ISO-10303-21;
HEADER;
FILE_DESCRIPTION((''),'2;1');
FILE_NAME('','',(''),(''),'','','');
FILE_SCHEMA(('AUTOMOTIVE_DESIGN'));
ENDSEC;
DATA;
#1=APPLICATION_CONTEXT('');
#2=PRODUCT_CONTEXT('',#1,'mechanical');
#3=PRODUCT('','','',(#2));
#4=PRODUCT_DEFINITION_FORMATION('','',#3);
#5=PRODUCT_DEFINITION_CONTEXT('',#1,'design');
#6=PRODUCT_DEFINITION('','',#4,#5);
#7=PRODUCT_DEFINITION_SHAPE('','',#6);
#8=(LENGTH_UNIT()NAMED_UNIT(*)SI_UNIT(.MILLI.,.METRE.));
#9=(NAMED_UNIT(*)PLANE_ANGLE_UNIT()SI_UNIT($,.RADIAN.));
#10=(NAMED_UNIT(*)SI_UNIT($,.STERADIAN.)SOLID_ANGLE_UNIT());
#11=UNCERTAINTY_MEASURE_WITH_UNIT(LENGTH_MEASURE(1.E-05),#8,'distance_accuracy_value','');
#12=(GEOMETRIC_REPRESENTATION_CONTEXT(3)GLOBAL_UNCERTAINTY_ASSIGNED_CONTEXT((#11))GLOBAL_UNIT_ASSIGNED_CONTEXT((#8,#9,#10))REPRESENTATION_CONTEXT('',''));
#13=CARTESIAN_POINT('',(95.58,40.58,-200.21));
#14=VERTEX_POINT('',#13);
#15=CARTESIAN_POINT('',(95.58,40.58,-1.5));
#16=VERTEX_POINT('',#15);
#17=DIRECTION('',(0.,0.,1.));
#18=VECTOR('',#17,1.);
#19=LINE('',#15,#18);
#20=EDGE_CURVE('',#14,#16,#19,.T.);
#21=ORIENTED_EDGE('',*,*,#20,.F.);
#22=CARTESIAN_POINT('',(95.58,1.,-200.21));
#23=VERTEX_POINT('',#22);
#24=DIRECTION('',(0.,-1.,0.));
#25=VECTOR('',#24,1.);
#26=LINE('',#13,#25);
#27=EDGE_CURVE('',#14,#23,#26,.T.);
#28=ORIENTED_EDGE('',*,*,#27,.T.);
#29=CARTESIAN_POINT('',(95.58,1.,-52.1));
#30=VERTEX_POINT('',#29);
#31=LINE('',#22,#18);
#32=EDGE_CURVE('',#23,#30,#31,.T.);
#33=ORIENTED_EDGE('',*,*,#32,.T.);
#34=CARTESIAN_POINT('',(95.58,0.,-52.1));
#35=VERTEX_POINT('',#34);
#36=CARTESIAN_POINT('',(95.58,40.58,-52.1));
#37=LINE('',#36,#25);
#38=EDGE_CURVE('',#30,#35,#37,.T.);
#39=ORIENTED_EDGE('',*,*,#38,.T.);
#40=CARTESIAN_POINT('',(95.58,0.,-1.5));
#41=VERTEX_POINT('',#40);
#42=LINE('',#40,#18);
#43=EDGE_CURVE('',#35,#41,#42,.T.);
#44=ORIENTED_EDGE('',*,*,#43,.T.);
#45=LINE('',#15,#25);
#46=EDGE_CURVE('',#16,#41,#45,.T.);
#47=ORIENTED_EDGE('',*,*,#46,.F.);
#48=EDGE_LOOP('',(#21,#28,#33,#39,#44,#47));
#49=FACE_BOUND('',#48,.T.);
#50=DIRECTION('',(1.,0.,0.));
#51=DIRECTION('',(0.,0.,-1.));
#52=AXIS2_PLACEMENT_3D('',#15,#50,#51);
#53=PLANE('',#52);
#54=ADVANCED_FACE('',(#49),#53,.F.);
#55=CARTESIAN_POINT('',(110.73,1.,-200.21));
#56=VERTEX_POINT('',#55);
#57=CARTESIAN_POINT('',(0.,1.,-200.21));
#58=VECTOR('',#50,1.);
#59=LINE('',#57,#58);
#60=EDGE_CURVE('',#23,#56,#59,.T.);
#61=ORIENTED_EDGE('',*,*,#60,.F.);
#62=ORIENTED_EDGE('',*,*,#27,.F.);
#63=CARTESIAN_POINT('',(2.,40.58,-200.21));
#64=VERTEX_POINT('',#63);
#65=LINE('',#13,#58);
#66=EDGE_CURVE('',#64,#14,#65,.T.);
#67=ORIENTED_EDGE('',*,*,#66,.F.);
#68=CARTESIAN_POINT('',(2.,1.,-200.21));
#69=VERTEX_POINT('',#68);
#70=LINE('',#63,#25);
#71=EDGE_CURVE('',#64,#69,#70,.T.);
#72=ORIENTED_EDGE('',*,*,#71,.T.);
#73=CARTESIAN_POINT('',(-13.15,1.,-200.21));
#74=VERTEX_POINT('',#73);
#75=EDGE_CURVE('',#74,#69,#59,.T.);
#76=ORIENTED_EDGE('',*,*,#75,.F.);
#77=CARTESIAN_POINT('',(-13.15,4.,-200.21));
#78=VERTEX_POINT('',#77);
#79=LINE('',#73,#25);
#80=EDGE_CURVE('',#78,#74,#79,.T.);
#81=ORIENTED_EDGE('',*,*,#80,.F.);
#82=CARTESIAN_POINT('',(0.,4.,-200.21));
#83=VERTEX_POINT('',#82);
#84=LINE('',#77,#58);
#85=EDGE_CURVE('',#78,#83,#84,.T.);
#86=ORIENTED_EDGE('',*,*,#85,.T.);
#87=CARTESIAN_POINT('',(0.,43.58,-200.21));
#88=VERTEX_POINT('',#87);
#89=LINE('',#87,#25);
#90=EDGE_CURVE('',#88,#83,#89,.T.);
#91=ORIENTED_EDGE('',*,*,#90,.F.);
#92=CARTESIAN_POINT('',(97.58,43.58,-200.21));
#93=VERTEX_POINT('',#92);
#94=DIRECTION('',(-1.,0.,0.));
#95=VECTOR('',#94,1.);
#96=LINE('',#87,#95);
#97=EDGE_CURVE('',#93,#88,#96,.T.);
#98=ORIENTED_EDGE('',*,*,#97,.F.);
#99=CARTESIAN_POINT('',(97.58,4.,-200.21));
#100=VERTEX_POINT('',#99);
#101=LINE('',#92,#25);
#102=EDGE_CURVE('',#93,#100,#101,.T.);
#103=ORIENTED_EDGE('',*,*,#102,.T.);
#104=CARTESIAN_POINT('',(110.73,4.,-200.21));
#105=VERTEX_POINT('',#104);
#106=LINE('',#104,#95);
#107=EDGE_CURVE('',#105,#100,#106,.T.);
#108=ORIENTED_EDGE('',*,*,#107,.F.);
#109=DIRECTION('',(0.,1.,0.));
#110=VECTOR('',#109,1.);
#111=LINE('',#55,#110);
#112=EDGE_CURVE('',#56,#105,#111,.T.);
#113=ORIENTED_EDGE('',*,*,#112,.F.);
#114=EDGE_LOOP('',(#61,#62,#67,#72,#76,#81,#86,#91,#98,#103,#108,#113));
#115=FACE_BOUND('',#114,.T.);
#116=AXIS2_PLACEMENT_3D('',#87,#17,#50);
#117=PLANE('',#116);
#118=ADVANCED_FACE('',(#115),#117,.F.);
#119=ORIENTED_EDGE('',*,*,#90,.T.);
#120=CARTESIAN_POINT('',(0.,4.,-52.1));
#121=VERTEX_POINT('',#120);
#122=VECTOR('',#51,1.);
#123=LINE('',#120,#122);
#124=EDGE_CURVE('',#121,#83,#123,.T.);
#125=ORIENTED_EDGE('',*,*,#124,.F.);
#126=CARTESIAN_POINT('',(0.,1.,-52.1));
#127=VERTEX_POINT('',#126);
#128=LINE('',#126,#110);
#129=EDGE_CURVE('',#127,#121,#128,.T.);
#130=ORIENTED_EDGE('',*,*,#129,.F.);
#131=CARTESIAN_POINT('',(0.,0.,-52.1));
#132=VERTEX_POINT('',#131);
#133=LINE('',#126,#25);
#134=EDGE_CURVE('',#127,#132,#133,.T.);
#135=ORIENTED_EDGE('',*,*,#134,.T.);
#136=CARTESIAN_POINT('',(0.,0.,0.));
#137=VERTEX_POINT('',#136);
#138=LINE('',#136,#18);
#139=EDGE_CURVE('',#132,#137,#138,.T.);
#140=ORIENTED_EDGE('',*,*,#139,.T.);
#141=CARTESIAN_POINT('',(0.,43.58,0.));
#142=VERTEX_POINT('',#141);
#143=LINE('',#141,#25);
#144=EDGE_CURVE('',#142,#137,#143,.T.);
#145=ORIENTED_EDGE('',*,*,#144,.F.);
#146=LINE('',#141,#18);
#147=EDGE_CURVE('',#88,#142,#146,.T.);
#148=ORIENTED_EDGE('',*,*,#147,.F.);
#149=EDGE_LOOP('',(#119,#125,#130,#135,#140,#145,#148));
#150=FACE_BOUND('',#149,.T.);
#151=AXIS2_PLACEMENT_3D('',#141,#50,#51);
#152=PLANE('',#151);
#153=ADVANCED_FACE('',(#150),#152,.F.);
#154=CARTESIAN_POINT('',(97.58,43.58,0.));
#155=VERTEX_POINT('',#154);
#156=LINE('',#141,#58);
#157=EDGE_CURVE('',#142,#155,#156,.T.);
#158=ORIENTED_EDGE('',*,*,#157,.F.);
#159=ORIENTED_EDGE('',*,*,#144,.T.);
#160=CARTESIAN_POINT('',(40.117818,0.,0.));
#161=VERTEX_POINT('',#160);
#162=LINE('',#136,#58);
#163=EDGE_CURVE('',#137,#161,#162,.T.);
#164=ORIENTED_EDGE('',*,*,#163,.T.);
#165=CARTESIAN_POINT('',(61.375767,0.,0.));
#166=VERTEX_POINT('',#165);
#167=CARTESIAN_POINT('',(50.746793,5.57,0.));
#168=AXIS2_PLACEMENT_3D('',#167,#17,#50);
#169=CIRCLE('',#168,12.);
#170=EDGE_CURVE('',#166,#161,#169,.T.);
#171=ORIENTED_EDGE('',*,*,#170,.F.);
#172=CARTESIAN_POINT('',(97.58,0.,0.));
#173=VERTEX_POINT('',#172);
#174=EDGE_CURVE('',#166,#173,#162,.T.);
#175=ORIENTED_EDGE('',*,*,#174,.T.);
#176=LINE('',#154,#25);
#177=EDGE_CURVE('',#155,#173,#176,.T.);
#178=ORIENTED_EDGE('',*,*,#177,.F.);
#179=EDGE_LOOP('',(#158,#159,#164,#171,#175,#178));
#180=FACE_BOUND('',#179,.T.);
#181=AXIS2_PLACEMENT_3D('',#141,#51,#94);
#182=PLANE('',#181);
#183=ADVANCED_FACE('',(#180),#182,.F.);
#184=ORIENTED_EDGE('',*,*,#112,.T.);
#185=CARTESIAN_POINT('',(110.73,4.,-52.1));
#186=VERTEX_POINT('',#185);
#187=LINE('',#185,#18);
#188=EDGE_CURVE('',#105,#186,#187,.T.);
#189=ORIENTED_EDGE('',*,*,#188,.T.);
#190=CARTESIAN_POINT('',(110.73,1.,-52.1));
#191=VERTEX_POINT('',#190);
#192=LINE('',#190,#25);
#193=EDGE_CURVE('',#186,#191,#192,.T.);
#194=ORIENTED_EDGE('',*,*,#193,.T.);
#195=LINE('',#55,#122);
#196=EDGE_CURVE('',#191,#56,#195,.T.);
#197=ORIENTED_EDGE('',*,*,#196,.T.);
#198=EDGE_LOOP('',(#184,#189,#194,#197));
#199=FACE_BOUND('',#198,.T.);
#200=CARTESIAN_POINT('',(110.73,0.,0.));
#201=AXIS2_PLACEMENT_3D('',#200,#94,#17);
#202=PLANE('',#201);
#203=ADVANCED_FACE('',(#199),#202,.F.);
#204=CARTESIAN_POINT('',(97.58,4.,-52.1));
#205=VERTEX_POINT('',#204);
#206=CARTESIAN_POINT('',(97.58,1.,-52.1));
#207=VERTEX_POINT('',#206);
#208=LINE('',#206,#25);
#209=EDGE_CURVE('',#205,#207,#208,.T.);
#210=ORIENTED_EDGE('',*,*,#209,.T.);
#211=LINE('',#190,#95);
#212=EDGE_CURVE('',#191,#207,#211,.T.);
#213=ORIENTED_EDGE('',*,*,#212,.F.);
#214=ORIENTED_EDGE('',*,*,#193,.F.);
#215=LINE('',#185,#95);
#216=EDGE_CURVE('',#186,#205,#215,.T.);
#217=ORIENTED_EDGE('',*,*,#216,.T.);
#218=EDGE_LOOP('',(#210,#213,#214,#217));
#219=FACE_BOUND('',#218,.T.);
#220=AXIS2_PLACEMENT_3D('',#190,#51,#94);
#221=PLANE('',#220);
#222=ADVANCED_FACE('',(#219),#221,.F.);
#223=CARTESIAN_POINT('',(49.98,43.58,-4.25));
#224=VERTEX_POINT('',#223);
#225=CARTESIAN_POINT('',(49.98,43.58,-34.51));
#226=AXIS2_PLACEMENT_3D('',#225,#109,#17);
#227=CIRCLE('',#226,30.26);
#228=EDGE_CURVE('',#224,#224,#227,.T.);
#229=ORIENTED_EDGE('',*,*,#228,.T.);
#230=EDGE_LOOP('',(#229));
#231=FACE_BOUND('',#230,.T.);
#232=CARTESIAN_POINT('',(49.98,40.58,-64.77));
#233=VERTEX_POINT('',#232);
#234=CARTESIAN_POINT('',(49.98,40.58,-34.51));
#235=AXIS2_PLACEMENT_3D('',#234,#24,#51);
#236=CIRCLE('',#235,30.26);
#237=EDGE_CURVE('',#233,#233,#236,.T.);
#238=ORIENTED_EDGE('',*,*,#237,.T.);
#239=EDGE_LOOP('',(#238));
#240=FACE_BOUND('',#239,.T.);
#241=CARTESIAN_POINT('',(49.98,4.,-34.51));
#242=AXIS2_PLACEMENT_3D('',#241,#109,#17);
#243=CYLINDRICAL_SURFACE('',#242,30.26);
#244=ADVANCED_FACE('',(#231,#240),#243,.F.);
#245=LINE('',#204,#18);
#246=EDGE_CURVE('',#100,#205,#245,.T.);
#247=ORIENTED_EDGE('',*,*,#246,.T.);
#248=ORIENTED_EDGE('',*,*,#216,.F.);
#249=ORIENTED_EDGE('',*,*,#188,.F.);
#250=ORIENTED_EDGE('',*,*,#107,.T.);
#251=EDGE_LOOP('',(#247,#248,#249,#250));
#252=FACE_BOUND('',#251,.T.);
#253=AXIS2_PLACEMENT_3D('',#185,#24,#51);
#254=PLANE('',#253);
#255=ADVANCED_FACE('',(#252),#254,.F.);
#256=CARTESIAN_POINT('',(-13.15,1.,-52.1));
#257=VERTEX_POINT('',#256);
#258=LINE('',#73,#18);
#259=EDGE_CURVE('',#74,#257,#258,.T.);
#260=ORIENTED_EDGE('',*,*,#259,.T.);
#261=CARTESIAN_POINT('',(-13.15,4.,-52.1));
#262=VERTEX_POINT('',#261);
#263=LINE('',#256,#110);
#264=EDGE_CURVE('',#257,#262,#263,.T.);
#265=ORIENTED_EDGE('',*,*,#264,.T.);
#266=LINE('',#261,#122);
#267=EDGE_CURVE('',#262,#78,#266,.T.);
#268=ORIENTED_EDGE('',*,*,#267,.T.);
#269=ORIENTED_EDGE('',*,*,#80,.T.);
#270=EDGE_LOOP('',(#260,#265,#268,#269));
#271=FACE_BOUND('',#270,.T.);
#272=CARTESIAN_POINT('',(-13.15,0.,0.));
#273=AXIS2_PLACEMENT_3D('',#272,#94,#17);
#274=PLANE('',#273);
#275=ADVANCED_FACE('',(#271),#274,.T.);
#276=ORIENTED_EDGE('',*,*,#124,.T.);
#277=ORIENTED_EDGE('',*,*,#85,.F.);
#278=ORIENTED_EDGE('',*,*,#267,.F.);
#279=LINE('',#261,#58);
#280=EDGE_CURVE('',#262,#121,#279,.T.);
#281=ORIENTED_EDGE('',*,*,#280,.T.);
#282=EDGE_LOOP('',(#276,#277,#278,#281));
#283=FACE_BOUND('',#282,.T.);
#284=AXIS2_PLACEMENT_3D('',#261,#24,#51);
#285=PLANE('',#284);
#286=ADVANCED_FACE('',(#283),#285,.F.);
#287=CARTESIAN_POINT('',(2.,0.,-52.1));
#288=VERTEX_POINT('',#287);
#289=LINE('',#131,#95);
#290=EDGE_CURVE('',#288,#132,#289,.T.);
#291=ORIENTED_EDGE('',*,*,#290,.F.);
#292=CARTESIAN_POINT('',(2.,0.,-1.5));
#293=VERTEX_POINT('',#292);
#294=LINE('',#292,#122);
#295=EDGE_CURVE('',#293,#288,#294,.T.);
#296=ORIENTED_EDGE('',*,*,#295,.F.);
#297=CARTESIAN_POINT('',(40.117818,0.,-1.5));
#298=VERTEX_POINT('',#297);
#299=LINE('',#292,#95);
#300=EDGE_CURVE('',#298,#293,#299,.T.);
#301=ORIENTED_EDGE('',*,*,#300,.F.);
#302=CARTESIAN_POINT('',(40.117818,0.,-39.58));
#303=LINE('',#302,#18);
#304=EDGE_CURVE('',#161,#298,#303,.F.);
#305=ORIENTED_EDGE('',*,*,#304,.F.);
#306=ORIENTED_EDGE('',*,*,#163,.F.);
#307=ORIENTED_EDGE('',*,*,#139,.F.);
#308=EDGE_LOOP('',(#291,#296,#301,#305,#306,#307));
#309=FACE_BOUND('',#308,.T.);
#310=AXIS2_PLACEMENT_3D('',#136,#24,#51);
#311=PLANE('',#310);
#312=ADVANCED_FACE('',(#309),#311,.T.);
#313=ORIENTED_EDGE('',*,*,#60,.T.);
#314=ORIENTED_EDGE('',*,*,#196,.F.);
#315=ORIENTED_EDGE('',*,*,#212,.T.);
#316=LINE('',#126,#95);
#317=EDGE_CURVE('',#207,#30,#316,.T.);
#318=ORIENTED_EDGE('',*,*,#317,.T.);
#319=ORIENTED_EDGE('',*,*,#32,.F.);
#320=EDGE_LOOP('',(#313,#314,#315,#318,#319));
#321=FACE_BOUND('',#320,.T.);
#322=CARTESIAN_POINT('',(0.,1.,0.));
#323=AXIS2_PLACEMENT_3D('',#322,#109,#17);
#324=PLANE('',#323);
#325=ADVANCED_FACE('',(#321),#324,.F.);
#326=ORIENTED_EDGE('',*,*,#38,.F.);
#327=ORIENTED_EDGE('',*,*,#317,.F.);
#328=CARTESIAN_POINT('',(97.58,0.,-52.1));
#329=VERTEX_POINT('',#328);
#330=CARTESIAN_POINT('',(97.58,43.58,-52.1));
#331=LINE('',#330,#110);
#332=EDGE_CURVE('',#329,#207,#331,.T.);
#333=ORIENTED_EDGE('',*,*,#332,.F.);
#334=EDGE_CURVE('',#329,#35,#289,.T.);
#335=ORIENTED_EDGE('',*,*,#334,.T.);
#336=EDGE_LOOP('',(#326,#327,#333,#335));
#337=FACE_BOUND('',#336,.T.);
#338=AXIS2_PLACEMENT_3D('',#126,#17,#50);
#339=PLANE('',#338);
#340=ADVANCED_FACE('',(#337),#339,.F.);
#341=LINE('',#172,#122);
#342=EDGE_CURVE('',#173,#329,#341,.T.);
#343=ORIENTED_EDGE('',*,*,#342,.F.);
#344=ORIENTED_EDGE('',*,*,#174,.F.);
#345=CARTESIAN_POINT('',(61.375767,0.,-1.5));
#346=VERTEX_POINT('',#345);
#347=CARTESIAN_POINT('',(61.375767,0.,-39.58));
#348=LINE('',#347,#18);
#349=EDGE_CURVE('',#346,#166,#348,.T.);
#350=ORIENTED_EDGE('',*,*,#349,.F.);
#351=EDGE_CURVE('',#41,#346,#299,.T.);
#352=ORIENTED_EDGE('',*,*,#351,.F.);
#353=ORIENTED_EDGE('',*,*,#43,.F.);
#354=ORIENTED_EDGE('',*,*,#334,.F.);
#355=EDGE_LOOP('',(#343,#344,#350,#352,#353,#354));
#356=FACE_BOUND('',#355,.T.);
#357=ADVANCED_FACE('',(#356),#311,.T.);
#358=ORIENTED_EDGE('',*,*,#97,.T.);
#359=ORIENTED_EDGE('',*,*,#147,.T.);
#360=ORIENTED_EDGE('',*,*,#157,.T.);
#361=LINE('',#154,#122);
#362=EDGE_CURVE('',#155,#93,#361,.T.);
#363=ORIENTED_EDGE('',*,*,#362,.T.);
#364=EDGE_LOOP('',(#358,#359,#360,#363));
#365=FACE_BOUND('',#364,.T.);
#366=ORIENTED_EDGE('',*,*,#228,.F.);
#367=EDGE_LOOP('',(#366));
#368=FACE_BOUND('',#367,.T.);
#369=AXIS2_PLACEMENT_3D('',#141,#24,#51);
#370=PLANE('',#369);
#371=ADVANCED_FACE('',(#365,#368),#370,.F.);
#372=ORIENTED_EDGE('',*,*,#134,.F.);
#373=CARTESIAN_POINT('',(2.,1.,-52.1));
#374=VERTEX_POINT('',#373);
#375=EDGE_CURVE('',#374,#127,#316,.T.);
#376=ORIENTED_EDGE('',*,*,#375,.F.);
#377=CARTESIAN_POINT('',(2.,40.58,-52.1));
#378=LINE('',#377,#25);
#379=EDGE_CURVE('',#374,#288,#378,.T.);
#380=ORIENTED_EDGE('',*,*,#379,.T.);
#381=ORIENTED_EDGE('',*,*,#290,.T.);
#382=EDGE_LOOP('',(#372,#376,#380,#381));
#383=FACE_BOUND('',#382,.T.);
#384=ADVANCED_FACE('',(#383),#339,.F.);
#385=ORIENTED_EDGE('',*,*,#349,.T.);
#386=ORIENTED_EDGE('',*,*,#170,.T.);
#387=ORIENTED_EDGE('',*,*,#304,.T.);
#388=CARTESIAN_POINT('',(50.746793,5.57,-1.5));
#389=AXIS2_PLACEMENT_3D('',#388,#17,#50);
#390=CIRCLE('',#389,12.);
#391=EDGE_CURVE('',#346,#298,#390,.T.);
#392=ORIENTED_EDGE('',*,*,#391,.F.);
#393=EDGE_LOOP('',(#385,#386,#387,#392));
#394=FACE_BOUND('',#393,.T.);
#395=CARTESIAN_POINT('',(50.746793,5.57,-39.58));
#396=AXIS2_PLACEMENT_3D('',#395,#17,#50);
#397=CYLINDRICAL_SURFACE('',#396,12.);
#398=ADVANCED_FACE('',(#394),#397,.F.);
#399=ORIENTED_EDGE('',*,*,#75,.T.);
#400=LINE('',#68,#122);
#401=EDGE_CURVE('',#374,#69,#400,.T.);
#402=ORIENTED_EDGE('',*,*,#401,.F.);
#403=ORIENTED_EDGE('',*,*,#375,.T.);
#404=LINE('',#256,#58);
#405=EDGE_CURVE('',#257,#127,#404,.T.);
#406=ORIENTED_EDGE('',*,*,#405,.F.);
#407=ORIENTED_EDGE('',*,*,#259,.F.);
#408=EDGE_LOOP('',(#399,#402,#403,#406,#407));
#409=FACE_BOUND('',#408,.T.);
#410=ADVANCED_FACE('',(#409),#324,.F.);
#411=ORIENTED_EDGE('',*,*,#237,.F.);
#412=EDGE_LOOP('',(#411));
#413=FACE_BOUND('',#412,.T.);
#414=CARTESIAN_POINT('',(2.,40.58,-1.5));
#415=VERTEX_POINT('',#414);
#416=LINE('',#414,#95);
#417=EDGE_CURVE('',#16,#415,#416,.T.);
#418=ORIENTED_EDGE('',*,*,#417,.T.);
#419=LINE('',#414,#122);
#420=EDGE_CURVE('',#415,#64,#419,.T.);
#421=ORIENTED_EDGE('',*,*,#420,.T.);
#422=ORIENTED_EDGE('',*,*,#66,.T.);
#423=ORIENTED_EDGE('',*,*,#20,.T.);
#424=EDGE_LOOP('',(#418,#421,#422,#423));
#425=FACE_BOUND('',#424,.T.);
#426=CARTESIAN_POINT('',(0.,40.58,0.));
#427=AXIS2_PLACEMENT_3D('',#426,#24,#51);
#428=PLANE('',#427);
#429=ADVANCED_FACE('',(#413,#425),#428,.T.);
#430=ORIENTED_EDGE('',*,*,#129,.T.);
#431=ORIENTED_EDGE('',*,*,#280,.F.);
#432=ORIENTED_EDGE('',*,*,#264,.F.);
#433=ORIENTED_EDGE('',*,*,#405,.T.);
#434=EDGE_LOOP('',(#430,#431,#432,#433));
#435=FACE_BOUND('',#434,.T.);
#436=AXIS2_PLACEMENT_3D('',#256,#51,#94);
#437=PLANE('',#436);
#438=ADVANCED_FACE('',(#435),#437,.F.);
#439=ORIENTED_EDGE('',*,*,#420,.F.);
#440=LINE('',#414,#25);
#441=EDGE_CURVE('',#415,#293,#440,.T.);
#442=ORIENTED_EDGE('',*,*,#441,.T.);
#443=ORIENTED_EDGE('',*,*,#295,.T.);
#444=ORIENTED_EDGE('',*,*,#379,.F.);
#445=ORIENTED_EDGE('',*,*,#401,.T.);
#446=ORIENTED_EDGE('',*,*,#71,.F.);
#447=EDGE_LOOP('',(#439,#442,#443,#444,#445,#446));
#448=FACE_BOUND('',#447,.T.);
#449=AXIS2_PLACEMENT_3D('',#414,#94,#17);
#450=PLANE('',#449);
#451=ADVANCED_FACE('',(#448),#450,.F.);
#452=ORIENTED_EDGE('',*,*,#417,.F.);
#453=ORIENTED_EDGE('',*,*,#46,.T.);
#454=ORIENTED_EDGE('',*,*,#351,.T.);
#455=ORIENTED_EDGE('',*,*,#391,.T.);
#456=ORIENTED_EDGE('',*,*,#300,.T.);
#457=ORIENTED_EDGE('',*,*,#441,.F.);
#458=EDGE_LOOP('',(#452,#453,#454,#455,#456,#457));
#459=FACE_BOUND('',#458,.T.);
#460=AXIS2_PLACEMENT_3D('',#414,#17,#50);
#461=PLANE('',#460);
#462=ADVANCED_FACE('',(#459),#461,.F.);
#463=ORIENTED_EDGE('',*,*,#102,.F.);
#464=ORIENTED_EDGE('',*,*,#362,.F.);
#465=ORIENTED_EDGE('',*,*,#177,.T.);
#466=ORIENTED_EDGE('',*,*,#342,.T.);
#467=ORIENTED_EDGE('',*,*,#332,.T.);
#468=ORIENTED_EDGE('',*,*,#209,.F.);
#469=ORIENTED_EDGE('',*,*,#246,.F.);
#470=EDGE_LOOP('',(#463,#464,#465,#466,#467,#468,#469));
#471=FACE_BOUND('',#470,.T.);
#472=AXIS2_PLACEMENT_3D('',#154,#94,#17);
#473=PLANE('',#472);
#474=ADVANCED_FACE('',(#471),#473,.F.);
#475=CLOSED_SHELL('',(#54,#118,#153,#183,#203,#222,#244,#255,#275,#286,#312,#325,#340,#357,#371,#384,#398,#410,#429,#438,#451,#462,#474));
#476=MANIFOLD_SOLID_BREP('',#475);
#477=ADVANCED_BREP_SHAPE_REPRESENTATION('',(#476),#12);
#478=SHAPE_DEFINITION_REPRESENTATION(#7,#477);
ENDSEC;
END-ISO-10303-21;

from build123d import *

# Parameters (mm, degrees)
SKETCH1_W           = 97.58
SKETCH1_H           = 200.21
BOSS_EXTRUDE1_DEPTH = 43.58
SKETCH2_W           = 2
SKETCH2_H           = 148.11
CUT_EXTRUDE1_DEPTH  = 1
SKETCH3_W           = 148.11
SKETCH3_H           = 1
CUT_EXTRUDE2_DEPTH  = 100
SKETCH4_W           = 93.58
SKETCH4_H           = 50.6
CUT_EXTRUDE4_DEPTH  = 40.58
SKETCH5_W           = 93.58
SKETCH5_H           = 148.11
CUT_EXTRUDE5_DEPTH  = 39.58
SKETCH6_R           = 12
CUT_EXTRUDE6_DEPTH  = 39.58
SKETCH7_R           = 30.26
CUT_EXTRUDE7_DEPTH  = 39.58
SKETCH10_W          = 148.11
SKETCH10_H          = 3
BOSS_EXTRUDE2_DEPTH = 13.15
SKETCH11_W          = 148.11
SKETCH11_H          = 3
BOSS_EXTRUDE3_DEPTH = 13.15


with BuildPart() as part:
    # Sketch1 → Boss-Extrude1 (new body)
    with BuildSketch(Plane(origin=(0, 0, 0), x_dir=(1, 0, 0), z_dir=(0, 1, 0))):
        with Locations((48.79, 100.105)):
            Rectangle(SKETCH1_W, SKETCH1_H)
    extrude(amount=BOSS_EXTRUDE1_DEPTH)

    # Sketch2 → Cut-Extrude1 (cut)
    with BuildSketch(Plane.XZ):
        with Locations((1, -126.155)):
            Rectangle(SKETCH2_W, SKETCH2_H)
    extrude(amount=-CUT_EXTRUDE1_DEPTH, mode=Mode.SUBTRACT)

    # Sketch3 → Cut-Extrude2 (cut)
    with BuildSketch(Plane.ZY.offset(-2)):
        with Locations((-126.155, 0.5)):
            Rectangle(SKETCH3_W, SKETCH3_H)
    extrude(amount=-CUT_EXTRUDE2_DEPTH, mode=Mode.SUBTRACT)

    # Sketch4 → Cut-Extrude4 (cut)
    with BuildSketch(Plane(origin=(0, 0, 0), x_dir=(-1, 0, 0), z_dir=(0, -1, 0))):
        with Locations((-48.79, 26.8)):
            Rectangle(SKETCH4_W, SKETCH4_H)
    extrude(amount=-CUT_EXTRUDE4_DEPTH, mode=Mode.SUBTRACT)

    # Sketch5 → Cut-Extrude5 (cut)
    with BuildSketch(Plane(origin=(0, 1, 0), x_dir=(-1, 0, 0), z_dir=(0, -1, 0))):
        with Locations((-48.79, 126.155)):
            Rectangle(SKETCH5_W, SKETCH5_H)
    extrude(amount=-CUT_EXTRUDE5_DEPTH, mode=Mode.SUBTRACT)

    # Sketch6 → Cut-Extrude6 (cut)
    with BuildSketch(Plane.XY):
        with Locations((50.746792762, 5.57)):
            Circle(SKETCH6_R)
    extrude(amount=-CUT_EXTRUDE6_DEPTH, mode=Mode.SUBTRACT)

    # Sketch7 → Cut-Extrude7 (cut)
    with BuildSketch(Plane(origin=(0, 43.58, 0), x_dir=(1, 0, 0), z_dir=(0, 1, 0))):
        with Locations(Location((49.98, 34.51, 0), (0, 0, 270))):
            Circle(SKETCH7_R)
    extrude(amount=-CUT_EXTRUDE7_DEPTH, mode=Mode.SUBTRACT)

    # Sketch10 → Boss-Extrude2 (add)
    with BuildSketch(Plane.ZY):
        with Locations((-126.155, 2.5)):
            Rectangle(SKETCH10_W, SKETCH10_H)
    extrude(amount=BOSS_EXTRUDE2_DEPTH)

    # Sketch11 → Boss-Extrude3 (add)
    with BuildSketch(Plane(origin=(97.58, 0, 0), x_dir=(0, 0, -1), z_dir=(1, 0, 0))):
        with Locations((126.155, 2.5)):
            Rectangle(SKETCH11_W, SKETCH11_H)
    extrude(amount=BOSS_EXTRUDE3_DEPTH)


solid = part.part
